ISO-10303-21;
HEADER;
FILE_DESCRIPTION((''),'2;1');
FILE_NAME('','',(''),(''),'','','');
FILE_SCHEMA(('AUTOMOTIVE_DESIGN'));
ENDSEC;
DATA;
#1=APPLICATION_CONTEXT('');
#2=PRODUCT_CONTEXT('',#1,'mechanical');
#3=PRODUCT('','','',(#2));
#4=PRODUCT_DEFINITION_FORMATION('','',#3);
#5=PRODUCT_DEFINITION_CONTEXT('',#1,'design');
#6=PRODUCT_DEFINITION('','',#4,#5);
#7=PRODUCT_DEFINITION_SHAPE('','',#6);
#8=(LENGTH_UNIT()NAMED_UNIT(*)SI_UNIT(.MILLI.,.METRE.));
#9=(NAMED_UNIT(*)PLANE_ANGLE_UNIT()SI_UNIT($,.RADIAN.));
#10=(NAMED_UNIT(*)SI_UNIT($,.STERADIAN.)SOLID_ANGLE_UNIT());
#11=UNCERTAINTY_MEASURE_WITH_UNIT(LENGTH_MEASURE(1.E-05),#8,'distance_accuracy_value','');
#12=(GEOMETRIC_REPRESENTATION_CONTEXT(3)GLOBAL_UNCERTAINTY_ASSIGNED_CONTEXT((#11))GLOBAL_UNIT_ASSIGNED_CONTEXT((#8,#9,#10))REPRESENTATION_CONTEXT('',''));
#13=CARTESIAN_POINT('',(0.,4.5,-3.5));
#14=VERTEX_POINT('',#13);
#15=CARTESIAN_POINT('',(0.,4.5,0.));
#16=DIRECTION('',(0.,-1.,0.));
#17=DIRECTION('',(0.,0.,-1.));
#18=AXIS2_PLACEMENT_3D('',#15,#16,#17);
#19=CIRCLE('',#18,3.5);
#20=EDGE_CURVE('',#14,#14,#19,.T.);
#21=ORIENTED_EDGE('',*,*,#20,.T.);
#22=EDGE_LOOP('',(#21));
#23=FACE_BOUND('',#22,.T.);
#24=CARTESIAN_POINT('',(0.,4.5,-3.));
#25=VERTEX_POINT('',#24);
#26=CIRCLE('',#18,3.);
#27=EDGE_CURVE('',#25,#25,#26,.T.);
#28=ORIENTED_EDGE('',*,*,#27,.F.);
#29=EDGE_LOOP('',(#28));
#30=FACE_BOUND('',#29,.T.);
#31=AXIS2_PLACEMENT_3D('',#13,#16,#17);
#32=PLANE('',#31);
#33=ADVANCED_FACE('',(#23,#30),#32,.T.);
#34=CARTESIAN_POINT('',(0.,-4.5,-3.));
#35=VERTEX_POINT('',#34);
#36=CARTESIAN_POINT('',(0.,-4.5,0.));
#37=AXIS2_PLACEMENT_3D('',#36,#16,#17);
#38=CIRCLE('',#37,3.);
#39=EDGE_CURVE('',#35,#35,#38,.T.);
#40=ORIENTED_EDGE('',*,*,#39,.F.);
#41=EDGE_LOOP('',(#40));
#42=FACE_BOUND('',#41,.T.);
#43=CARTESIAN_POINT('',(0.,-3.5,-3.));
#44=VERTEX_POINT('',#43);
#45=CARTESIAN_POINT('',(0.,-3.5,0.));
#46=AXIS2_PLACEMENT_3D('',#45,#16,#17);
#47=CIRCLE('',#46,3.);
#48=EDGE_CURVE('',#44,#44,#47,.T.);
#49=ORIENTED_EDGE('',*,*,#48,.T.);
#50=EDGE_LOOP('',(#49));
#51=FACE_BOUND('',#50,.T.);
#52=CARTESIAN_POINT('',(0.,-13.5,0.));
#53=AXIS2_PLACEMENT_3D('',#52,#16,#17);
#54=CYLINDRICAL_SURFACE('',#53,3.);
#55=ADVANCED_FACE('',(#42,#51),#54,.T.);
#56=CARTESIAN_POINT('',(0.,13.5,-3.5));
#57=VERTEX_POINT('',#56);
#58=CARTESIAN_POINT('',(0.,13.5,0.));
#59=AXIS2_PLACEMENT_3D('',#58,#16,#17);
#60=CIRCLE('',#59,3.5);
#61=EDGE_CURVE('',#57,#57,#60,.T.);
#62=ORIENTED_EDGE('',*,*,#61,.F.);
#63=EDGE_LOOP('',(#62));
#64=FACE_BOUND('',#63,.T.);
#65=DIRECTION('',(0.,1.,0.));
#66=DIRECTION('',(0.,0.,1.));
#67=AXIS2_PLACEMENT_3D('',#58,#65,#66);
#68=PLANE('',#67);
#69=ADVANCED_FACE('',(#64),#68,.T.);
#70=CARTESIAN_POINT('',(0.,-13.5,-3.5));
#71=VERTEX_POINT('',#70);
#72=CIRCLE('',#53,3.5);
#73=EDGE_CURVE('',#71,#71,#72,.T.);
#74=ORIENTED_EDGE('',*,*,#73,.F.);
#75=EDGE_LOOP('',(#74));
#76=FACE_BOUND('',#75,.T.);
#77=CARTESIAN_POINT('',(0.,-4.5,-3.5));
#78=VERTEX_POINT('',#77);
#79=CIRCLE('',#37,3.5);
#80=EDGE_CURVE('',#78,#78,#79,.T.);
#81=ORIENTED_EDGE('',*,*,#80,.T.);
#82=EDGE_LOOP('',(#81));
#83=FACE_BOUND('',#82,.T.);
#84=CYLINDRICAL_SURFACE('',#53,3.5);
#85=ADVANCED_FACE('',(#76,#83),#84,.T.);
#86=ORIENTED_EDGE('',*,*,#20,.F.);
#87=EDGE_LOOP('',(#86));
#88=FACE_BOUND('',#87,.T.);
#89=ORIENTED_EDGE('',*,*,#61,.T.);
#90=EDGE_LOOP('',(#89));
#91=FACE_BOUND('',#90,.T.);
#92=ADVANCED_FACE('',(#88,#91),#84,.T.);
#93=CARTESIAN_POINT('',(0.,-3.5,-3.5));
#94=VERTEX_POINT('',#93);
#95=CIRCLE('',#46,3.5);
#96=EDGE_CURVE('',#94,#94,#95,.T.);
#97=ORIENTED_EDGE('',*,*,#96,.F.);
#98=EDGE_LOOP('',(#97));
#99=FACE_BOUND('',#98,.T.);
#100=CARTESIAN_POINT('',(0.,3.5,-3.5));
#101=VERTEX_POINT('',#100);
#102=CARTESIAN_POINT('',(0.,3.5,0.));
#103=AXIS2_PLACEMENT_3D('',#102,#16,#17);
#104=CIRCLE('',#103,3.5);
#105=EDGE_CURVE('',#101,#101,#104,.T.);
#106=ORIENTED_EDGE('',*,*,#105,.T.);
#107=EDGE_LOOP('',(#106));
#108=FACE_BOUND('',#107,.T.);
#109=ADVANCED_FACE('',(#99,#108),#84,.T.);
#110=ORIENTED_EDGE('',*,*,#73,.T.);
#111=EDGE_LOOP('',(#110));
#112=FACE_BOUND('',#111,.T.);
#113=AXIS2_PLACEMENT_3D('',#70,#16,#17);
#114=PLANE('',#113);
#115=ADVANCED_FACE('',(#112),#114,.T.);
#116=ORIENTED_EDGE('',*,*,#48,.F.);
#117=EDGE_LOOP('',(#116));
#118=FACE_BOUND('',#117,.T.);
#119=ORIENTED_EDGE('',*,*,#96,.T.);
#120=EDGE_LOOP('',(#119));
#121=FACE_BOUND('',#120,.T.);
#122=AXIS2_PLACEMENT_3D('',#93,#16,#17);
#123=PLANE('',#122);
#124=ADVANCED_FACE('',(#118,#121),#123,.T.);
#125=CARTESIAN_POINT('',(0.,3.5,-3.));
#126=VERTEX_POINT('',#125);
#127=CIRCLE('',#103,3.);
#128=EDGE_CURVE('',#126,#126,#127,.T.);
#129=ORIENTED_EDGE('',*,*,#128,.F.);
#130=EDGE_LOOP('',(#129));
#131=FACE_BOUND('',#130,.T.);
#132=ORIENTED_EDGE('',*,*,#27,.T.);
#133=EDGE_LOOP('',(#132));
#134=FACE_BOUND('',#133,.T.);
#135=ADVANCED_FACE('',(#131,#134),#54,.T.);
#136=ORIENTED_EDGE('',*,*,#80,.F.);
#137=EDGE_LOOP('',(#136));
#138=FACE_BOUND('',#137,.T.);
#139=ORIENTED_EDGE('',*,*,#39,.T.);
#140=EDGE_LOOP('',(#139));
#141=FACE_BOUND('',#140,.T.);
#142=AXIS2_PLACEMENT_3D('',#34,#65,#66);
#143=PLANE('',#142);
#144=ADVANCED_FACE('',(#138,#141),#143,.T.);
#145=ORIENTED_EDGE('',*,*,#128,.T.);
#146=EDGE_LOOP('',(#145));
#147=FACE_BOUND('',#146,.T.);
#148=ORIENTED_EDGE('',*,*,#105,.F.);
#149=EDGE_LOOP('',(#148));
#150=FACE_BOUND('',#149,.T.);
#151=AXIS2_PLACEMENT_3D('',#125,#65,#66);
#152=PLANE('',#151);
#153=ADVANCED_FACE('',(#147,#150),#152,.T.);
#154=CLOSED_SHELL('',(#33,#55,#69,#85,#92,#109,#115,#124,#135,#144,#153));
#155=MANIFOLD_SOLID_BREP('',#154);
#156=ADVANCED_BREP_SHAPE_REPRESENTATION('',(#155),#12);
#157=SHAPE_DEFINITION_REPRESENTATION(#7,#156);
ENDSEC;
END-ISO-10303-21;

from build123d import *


with BuildPart() as part:
    # 草图1 → 旋转1 (revolve)
    with BuildSketch(Plane(origin=(0, 0, 0), x_dir=(0, 0, -1), z_dir=(1, 0, 0))):
        Polygon((0, 13.5), (3.5, 13.5), (3.5, 4.5), (3, 4.5), (3, 3.5), (3.5, 3.5), (3.5, -3.5), (3, -3.5), (3, -4.5), (3.5, -4.5), (3.5, -13.5), (0, -13.5), align=None)
    revolve(axis=Axis((0, -13.5, 0), (0, 1, 0)))


solid = part.part
